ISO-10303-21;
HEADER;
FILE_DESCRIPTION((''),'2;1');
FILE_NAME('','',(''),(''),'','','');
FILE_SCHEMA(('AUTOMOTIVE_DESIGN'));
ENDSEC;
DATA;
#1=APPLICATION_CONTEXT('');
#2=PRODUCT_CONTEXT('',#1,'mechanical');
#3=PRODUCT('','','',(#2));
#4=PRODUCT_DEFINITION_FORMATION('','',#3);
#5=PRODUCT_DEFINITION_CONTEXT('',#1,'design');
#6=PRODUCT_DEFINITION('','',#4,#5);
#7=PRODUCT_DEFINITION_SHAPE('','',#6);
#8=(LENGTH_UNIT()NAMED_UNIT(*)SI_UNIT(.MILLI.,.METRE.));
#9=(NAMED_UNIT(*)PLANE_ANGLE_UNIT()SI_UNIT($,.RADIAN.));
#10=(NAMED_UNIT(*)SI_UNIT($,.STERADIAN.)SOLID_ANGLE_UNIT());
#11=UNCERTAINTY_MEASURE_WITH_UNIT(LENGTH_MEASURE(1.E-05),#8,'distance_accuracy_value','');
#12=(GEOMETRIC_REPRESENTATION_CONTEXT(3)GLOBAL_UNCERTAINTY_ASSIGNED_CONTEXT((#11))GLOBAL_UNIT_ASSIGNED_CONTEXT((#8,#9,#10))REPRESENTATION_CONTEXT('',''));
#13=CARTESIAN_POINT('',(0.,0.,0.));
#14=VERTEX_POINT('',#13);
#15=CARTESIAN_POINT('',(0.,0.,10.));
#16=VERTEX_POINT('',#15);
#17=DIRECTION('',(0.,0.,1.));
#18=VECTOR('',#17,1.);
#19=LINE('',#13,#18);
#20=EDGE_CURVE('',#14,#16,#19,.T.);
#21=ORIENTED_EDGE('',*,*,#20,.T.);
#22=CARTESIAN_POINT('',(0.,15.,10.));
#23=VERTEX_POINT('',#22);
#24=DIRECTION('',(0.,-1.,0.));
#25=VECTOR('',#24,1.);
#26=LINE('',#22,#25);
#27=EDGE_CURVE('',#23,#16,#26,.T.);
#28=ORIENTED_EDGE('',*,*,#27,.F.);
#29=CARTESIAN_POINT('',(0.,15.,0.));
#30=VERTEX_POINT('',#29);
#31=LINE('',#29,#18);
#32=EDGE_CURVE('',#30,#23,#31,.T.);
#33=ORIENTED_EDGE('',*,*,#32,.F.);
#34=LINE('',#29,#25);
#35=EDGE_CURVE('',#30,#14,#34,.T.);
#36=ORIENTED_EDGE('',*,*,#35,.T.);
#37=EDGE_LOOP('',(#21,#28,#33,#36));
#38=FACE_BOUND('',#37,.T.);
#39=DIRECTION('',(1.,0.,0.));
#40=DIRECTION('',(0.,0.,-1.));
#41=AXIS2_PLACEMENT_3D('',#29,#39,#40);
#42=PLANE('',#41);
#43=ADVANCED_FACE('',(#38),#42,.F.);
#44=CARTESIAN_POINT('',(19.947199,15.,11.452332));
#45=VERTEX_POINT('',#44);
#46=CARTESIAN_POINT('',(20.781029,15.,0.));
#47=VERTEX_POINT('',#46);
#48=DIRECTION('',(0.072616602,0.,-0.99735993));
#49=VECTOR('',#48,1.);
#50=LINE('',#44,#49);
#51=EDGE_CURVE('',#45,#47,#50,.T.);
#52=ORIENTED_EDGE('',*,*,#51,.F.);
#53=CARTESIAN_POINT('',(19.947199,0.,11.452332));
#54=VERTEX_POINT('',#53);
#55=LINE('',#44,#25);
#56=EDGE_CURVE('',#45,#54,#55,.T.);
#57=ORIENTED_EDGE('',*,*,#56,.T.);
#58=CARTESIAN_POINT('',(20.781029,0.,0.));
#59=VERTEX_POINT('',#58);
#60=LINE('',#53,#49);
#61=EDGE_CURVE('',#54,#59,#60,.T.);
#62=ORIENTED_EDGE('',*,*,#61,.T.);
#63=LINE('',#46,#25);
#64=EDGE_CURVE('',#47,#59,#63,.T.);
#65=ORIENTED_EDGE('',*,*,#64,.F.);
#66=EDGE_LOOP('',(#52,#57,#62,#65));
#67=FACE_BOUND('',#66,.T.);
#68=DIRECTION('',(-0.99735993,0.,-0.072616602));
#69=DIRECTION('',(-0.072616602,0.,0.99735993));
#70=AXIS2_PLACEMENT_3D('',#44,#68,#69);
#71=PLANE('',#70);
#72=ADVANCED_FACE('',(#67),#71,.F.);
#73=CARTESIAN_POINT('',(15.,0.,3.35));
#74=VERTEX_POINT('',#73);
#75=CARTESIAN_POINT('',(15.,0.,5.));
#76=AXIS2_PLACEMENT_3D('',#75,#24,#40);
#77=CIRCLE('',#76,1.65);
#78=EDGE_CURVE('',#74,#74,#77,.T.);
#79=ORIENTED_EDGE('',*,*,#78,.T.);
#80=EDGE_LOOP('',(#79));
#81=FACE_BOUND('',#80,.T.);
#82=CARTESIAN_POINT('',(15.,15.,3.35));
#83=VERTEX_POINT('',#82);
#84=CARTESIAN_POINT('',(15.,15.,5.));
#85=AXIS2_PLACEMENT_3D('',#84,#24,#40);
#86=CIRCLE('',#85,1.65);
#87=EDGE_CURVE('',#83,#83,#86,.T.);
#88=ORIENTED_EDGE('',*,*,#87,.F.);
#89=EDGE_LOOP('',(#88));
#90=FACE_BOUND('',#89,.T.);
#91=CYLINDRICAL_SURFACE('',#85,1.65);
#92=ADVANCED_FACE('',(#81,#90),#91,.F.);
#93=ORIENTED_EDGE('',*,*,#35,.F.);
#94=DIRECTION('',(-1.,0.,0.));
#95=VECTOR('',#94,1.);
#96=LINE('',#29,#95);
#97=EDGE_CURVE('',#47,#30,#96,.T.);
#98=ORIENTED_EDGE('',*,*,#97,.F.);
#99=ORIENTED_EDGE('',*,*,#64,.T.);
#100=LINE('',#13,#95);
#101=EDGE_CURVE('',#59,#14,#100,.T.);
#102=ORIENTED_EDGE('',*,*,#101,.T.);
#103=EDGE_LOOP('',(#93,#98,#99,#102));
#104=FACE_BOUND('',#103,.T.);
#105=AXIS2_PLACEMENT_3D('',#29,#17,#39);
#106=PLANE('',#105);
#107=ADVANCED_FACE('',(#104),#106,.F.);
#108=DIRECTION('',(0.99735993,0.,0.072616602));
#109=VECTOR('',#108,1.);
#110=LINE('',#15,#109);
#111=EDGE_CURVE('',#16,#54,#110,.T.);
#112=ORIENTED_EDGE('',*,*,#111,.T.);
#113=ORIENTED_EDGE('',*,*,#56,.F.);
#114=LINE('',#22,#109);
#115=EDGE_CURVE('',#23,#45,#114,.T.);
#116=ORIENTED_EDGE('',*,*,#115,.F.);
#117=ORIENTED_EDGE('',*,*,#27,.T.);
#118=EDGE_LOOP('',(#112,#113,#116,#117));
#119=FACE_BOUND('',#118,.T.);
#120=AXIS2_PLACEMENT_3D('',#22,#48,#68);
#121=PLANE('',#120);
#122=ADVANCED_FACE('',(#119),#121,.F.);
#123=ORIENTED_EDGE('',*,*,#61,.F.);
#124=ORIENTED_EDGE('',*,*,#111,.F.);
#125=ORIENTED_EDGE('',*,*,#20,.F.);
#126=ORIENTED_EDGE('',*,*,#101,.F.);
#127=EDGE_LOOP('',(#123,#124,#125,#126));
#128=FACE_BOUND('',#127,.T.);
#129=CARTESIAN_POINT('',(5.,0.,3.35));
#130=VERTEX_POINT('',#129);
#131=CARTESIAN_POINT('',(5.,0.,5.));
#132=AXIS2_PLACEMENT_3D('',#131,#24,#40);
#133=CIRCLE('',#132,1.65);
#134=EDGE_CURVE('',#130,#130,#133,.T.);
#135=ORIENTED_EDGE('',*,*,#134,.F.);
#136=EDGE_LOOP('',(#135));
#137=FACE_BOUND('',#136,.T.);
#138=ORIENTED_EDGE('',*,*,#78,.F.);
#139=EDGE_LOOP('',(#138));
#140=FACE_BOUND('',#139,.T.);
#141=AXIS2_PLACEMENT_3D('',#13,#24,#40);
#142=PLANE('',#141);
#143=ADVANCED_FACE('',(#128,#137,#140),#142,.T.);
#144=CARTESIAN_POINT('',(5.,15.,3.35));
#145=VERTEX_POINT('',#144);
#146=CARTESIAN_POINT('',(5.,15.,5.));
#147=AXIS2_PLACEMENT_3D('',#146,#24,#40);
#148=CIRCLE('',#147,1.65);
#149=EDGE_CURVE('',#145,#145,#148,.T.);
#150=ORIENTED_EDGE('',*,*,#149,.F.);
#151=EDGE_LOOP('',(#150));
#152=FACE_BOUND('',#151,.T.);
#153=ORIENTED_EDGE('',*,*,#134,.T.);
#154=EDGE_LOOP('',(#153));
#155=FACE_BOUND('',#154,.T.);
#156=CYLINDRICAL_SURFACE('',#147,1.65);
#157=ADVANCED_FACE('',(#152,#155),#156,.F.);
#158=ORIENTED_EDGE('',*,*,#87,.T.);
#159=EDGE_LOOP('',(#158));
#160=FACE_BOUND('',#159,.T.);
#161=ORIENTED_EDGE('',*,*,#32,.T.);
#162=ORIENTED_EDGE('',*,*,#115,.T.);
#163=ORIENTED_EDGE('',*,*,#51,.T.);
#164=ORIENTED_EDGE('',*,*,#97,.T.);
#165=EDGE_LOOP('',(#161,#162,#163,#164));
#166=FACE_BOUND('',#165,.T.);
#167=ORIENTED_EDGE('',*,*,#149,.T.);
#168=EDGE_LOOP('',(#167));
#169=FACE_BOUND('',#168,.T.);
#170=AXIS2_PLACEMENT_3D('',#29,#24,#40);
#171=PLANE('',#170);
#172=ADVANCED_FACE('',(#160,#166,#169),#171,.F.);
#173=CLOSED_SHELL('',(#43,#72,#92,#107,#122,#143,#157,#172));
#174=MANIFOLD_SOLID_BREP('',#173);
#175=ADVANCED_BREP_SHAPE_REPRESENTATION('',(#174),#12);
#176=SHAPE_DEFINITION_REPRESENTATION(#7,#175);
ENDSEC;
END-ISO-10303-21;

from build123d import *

# Parameters (mm, degrees)
EXTRUDE_1_DEPTH     = 15
SKETCH_2_R          = 1.45
CUT_EXTRUDE_1_DEPTH = 29.071464012
SKETCH_3_R          = 1.65
CUT_EXTRUDE_2_DEPTH = 29.071464012


with BuildPart() as part:
    # 草图1 → 凸台-拉伸1 (new body)
    with BuildSketch(Plane(origin=(0, 0, 0), x_dir=(1, 0, 0), z_dir=(0, 1, 0))):
        Polygon((0, 0), (0, -10), (19.947198592, -11.452332033), (20.781029397, 0), align=None)
    extrude(amount=EXTRUDE_1_DEPTH)

    # 草图2 → 切除-拉伸1 (cut, through all)
    with BuildSketch(Plane.XZ):
        with Locations(Location((5, 5, 0), (0, 0, 270))):
            Circle(SKETCH_2_R)
        with Locations(Location((15, 5, 0), (0, 0, 270))):
            Circle(SKETCH_2_R)
    extrude(amount=-CUT_EXTRUDE_1_DEPTH, mode=Mode.SUBTRACT)

    # 草图3 → 切除-拉伸2 (cut, through all)
    with BuildSketch(Plane.XZ):
        with Locations(Location((5, 5, 0), (0, 0, 270))):
            Circle(SKETCH_3_R)
        with Locations(Location((15, 5, 0), (0, 0, 270))):
            Circle(SKETCH_3_R)
    extrude(amount=-CUT_EXTRUDE_2_DEPTH, mode=Mode.SUBTRACT)


solid = part.part
